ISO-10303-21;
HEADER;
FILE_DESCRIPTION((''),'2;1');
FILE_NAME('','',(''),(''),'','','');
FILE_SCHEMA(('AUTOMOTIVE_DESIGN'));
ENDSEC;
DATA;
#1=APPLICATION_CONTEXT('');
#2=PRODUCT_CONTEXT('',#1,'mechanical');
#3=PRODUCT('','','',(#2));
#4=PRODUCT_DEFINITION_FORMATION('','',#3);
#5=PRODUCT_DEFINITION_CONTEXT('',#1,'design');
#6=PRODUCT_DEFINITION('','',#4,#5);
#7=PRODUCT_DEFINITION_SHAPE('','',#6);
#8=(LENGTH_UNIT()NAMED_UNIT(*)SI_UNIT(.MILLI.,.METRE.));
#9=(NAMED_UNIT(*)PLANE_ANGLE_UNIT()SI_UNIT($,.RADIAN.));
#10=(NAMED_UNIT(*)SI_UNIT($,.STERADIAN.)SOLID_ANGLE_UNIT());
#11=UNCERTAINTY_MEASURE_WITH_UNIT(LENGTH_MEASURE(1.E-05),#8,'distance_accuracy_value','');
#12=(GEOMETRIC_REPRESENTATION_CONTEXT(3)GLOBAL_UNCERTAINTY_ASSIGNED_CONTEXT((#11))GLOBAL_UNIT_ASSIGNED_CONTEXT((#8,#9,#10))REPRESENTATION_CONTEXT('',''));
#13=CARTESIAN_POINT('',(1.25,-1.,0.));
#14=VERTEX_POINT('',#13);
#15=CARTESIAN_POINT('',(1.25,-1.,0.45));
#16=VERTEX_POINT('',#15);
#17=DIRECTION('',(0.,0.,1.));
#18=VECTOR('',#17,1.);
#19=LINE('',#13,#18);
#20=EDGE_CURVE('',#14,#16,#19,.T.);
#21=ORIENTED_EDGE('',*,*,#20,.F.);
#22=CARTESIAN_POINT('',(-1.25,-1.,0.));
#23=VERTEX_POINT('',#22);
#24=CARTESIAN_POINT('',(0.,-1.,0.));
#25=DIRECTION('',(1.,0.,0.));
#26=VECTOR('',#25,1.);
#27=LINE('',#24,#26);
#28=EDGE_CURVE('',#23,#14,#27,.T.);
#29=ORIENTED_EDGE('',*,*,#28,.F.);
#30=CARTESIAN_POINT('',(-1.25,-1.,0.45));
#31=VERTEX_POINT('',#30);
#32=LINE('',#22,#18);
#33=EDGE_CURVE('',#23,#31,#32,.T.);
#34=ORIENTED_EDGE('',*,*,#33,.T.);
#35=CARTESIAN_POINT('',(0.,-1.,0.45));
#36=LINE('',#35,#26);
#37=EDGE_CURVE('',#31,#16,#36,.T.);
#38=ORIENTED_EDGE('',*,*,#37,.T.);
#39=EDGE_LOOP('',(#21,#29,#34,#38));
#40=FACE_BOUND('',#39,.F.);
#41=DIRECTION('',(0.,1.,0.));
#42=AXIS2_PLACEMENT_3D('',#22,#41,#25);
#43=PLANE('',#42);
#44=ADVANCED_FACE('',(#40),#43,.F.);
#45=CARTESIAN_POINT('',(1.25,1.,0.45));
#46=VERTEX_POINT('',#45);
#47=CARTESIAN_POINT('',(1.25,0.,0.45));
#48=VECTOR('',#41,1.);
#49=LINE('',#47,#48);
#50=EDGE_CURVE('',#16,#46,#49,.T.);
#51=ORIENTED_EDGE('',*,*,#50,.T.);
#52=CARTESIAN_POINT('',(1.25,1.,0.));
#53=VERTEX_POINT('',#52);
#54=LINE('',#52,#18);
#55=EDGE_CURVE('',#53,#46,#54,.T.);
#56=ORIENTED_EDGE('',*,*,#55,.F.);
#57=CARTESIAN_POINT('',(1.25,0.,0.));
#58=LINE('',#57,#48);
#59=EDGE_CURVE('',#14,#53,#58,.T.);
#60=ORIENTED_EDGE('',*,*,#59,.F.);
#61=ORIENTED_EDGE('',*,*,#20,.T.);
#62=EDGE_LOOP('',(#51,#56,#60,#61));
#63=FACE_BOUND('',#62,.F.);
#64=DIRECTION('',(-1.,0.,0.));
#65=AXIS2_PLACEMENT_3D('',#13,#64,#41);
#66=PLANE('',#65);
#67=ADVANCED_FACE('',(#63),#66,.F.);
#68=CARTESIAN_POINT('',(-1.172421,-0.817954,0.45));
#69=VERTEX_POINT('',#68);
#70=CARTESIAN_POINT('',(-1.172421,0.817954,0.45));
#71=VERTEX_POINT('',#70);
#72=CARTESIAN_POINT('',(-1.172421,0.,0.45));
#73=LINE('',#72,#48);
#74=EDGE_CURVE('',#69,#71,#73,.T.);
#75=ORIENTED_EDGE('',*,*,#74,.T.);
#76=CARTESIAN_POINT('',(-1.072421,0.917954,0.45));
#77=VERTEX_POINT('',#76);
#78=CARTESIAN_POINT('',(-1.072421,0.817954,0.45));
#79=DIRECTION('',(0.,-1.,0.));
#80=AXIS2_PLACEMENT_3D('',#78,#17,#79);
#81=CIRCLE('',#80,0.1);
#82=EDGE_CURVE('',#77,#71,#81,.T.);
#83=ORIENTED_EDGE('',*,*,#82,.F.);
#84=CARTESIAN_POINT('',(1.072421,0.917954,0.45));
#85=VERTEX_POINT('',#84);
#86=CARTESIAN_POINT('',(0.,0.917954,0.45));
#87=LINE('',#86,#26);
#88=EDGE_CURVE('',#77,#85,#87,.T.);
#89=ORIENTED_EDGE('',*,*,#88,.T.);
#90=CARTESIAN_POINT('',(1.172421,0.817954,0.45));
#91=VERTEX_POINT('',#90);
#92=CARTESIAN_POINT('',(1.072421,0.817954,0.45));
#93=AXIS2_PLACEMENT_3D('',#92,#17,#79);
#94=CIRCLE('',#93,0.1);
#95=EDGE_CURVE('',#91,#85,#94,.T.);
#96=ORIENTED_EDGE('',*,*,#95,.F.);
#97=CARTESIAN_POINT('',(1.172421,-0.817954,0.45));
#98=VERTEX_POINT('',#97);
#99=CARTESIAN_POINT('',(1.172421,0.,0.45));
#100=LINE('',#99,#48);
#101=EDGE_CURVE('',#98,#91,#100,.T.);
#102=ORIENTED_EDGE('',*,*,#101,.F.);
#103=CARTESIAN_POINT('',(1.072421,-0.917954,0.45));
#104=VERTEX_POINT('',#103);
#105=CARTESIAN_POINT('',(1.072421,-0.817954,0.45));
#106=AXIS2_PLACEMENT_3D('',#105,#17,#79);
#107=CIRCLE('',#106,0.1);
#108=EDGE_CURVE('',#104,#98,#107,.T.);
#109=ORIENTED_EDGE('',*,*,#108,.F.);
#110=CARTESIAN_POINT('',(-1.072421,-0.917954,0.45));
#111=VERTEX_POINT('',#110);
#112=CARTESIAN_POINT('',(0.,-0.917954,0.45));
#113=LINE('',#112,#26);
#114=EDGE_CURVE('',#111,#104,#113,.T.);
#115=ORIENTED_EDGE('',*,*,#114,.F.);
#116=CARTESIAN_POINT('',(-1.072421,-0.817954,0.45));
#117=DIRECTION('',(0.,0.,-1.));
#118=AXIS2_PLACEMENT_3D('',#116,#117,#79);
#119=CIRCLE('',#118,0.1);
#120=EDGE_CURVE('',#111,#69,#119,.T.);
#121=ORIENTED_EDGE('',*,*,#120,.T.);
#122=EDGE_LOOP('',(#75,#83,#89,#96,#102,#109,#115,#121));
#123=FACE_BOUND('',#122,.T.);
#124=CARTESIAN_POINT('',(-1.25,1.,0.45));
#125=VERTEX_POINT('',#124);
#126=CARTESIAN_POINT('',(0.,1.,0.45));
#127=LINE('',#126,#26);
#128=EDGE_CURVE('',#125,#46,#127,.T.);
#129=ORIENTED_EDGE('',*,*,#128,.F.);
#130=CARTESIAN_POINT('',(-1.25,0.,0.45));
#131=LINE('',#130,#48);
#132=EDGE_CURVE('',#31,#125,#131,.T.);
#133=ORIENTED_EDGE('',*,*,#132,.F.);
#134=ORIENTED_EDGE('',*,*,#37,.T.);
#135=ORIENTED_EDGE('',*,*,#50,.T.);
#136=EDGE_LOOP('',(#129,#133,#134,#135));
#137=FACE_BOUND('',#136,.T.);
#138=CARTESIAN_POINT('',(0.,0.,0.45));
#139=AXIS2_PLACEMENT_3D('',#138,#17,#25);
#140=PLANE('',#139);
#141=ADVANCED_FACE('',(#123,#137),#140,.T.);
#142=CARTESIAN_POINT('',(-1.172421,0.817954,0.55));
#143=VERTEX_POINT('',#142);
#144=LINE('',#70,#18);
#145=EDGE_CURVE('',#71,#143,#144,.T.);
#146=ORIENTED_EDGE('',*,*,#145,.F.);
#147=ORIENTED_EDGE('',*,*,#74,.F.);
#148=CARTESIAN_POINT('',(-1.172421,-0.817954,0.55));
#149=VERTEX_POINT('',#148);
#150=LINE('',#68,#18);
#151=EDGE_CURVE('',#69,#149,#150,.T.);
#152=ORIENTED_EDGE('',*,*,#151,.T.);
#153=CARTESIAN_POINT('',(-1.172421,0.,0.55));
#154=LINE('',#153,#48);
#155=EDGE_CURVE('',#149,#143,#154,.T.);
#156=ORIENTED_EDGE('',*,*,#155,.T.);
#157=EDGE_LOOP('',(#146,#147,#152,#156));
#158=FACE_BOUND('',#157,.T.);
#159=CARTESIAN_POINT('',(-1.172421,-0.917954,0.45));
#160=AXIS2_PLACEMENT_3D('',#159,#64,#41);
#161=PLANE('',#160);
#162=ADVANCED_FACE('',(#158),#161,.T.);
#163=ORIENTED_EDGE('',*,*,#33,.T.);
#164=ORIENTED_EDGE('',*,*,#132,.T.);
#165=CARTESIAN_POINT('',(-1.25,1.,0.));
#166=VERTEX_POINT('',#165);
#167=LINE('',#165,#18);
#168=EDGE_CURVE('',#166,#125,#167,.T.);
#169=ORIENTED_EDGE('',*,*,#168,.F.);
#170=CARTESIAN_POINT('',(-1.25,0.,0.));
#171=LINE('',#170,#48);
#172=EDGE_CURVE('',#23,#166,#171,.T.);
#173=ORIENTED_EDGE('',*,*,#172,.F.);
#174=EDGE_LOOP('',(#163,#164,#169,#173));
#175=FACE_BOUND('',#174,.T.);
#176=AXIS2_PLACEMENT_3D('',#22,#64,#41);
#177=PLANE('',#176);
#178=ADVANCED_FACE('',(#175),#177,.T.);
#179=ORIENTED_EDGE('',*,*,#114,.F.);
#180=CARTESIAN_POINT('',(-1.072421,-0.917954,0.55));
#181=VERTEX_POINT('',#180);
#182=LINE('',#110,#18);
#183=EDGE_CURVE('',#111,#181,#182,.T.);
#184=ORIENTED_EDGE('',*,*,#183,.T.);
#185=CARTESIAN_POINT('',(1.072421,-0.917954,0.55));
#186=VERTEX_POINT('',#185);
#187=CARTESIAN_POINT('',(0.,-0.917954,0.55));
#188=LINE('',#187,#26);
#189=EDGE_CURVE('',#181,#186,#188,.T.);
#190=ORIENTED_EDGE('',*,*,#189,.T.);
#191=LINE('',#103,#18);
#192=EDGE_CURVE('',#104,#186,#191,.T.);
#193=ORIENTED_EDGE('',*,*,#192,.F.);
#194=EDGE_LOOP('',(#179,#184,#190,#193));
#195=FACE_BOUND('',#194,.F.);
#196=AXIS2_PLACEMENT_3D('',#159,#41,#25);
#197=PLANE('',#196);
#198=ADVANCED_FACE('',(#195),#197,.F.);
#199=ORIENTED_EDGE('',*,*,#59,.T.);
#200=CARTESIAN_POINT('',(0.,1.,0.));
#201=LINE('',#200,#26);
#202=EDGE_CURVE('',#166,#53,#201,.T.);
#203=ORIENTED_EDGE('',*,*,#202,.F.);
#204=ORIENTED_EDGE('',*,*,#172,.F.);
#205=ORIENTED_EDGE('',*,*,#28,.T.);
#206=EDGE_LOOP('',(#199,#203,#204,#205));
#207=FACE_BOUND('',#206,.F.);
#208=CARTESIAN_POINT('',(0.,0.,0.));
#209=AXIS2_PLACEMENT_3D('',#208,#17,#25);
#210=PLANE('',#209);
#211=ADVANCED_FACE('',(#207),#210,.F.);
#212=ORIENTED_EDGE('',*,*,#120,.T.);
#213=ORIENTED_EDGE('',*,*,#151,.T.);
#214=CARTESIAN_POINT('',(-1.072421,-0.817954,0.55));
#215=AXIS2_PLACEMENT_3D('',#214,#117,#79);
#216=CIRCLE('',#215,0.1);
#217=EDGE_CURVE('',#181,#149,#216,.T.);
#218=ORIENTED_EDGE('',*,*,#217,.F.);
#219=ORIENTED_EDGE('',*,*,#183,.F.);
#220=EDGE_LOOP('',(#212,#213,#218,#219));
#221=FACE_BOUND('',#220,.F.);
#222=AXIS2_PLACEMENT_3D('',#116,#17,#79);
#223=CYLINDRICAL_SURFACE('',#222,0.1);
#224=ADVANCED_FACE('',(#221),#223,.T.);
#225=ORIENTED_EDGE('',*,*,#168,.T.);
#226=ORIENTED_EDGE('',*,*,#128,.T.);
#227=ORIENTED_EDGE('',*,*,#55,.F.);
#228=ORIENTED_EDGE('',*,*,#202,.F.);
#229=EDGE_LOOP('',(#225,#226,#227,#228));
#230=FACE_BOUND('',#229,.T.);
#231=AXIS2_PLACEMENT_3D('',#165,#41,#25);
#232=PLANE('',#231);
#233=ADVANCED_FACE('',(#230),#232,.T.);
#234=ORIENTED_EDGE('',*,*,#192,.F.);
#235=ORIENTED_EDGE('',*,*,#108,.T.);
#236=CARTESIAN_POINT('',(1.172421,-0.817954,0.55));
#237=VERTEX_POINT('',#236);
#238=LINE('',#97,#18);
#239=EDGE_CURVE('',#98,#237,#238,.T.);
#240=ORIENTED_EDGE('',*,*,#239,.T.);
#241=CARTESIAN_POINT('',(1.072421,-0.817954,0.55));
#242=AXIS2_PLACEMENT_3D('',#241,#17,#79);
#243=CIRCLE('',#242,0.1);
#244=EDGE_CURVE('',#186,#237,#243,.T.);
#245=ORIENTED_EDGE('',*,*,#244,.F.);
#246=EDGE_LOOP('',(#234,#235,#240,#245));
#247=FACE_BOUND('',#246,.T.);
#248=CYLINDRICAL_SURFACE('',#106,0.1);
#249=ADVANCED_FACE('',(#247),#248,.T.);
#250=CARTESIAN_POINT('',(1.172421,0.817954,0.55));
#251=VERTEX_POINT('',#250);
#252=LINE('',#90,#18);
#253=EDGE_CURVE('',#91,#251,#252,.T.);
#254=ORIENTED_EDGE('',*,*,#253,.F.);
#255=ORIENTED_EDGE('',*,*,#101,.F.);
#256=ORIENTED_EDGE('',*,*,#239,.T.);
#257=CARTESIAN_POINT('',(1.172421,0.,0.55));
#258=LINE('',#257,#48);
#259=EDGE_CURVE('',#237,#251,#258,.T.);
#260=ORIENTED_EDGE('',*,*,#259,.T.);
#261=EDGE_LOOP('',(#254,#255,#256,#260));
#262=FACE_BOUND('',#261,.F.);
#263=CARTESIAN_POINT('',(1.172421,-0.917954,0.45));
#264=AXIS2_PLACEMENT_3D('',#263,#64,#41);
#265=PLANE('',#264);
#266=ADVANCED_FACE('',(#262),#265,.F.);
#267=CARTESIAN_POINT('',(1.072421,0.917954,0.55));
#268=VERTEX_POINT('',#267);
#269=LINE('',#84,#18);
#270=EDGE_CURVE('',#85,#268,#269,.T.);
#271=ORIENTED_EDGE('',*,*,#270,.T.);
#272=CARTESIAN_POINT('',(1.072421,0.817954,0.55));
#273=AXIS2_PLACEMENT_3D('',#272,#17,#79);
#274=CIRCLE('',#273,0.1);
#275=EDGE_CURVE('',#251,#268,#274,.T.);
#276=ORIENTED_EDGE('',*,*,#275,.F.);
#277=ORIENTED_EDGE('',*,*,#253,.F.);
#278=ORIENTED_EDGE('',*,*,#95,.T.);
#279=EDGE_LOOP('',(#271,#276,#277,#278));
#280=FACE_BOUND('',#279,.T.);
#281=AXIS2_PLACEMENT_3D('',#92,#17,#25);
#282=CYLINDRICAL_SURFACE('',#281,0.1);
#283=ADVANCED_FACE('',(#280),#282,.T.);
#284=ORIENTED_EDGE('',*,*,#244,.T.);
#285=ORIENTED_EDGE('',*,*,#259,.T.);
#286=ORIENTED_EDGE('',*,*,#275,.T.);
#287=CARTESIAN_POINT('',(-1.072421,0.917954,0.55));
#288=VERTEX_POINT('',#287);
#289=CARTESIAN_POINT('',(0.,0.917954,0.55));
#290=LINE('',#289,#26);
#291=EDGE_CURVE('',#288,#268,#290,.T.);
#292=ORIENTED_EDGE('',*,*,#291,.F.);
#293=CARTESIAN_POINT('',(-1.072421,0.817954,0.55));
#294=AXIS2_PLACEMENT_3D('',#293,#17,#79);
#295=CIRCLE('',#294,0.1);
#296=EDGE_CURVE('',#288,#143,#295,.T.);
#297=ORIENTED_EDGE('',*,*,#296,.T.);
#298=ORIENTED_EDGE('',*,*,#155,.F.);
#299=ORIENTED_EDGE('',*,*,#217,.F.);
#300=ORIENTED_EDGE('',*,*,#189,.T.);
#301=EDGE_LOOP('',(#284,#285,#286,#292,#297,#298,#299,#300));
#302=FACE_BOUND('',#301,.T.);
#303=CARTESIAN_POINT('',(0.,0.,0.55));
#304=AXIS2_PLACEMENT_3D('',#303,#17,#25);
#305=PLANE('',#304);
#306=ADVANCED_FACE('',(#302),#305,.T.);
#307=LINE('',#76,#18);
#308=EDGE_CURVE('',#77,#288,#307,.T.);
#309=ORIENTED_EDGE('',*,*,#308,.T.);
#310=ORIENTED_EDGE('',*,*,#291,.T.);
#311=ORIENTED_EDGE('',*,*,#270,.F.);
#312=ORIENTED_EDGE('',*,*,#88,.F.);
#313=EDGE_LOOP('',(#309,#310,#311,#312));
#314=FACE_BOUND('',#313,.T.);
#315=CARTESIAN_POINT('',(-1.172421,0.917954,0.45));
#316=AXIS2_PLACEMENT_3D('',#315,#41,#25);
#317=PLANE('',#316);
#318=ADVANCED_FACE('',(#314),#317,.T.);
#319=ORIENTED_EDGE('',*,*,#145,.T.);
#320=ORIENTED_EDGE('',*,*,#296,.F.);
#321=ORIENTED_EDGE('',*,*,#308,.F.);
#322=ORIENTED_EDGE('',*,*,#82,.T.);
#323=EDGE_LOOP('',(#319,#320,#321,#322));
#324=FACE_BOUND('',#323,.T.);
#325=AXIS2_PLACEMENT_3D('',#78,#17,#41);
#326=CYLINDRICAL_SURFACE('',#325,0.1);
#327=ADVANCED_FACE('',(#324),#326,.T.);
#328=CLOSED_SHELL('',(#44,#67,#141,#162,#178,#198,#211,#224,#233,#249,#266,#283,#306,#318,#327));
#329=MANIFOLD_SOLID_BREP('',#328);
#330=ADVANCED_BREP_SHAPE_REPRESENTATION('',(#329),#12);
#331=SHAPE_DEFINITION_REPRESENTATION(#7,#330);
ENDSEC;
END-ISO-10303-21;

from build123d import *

# Parameters (mm, degrees)
SKETCH_W     = 2.5
SKETCH_H     = 2
PAD_DEPTH    = 0.45
SKETCH001_W  = 2.344842
SKETCH001_H  = 1.835908
PAD001_DEPTH = 0.1
FILLET_R     = 0.1


with BuildPart() as part:
    # Sketch → Pad (new body)
    with BuildSketch(Plane.XY):
        Rectangle(SKETCH_W, SKETCH_H)
    extrude(amount=PAD_DEPTH)

    # Sketch001 (on Face6 of Pad) → Pad001 (join)
    with BuildSketch(Plane.XY.offset(0.45)):
        Rectangle(SKETCH001_W, SKETCH001_H)
    extrude(amount=PAD001_DEPTH)

    # Fillet
    fillet_edges = [part.edges().sort_by_distance(p)[0] for p in [
        (1.172421, -0.917954, 0.5),
        (-1.172421, -0.917954, 0.5),
        (1.172421, 0.917954, 0.5),
        (-1.172421, 0.917954, 0.5),
    ]]
    fillet(fillet_edges, radius=FILLET_R)


solid = part.part
